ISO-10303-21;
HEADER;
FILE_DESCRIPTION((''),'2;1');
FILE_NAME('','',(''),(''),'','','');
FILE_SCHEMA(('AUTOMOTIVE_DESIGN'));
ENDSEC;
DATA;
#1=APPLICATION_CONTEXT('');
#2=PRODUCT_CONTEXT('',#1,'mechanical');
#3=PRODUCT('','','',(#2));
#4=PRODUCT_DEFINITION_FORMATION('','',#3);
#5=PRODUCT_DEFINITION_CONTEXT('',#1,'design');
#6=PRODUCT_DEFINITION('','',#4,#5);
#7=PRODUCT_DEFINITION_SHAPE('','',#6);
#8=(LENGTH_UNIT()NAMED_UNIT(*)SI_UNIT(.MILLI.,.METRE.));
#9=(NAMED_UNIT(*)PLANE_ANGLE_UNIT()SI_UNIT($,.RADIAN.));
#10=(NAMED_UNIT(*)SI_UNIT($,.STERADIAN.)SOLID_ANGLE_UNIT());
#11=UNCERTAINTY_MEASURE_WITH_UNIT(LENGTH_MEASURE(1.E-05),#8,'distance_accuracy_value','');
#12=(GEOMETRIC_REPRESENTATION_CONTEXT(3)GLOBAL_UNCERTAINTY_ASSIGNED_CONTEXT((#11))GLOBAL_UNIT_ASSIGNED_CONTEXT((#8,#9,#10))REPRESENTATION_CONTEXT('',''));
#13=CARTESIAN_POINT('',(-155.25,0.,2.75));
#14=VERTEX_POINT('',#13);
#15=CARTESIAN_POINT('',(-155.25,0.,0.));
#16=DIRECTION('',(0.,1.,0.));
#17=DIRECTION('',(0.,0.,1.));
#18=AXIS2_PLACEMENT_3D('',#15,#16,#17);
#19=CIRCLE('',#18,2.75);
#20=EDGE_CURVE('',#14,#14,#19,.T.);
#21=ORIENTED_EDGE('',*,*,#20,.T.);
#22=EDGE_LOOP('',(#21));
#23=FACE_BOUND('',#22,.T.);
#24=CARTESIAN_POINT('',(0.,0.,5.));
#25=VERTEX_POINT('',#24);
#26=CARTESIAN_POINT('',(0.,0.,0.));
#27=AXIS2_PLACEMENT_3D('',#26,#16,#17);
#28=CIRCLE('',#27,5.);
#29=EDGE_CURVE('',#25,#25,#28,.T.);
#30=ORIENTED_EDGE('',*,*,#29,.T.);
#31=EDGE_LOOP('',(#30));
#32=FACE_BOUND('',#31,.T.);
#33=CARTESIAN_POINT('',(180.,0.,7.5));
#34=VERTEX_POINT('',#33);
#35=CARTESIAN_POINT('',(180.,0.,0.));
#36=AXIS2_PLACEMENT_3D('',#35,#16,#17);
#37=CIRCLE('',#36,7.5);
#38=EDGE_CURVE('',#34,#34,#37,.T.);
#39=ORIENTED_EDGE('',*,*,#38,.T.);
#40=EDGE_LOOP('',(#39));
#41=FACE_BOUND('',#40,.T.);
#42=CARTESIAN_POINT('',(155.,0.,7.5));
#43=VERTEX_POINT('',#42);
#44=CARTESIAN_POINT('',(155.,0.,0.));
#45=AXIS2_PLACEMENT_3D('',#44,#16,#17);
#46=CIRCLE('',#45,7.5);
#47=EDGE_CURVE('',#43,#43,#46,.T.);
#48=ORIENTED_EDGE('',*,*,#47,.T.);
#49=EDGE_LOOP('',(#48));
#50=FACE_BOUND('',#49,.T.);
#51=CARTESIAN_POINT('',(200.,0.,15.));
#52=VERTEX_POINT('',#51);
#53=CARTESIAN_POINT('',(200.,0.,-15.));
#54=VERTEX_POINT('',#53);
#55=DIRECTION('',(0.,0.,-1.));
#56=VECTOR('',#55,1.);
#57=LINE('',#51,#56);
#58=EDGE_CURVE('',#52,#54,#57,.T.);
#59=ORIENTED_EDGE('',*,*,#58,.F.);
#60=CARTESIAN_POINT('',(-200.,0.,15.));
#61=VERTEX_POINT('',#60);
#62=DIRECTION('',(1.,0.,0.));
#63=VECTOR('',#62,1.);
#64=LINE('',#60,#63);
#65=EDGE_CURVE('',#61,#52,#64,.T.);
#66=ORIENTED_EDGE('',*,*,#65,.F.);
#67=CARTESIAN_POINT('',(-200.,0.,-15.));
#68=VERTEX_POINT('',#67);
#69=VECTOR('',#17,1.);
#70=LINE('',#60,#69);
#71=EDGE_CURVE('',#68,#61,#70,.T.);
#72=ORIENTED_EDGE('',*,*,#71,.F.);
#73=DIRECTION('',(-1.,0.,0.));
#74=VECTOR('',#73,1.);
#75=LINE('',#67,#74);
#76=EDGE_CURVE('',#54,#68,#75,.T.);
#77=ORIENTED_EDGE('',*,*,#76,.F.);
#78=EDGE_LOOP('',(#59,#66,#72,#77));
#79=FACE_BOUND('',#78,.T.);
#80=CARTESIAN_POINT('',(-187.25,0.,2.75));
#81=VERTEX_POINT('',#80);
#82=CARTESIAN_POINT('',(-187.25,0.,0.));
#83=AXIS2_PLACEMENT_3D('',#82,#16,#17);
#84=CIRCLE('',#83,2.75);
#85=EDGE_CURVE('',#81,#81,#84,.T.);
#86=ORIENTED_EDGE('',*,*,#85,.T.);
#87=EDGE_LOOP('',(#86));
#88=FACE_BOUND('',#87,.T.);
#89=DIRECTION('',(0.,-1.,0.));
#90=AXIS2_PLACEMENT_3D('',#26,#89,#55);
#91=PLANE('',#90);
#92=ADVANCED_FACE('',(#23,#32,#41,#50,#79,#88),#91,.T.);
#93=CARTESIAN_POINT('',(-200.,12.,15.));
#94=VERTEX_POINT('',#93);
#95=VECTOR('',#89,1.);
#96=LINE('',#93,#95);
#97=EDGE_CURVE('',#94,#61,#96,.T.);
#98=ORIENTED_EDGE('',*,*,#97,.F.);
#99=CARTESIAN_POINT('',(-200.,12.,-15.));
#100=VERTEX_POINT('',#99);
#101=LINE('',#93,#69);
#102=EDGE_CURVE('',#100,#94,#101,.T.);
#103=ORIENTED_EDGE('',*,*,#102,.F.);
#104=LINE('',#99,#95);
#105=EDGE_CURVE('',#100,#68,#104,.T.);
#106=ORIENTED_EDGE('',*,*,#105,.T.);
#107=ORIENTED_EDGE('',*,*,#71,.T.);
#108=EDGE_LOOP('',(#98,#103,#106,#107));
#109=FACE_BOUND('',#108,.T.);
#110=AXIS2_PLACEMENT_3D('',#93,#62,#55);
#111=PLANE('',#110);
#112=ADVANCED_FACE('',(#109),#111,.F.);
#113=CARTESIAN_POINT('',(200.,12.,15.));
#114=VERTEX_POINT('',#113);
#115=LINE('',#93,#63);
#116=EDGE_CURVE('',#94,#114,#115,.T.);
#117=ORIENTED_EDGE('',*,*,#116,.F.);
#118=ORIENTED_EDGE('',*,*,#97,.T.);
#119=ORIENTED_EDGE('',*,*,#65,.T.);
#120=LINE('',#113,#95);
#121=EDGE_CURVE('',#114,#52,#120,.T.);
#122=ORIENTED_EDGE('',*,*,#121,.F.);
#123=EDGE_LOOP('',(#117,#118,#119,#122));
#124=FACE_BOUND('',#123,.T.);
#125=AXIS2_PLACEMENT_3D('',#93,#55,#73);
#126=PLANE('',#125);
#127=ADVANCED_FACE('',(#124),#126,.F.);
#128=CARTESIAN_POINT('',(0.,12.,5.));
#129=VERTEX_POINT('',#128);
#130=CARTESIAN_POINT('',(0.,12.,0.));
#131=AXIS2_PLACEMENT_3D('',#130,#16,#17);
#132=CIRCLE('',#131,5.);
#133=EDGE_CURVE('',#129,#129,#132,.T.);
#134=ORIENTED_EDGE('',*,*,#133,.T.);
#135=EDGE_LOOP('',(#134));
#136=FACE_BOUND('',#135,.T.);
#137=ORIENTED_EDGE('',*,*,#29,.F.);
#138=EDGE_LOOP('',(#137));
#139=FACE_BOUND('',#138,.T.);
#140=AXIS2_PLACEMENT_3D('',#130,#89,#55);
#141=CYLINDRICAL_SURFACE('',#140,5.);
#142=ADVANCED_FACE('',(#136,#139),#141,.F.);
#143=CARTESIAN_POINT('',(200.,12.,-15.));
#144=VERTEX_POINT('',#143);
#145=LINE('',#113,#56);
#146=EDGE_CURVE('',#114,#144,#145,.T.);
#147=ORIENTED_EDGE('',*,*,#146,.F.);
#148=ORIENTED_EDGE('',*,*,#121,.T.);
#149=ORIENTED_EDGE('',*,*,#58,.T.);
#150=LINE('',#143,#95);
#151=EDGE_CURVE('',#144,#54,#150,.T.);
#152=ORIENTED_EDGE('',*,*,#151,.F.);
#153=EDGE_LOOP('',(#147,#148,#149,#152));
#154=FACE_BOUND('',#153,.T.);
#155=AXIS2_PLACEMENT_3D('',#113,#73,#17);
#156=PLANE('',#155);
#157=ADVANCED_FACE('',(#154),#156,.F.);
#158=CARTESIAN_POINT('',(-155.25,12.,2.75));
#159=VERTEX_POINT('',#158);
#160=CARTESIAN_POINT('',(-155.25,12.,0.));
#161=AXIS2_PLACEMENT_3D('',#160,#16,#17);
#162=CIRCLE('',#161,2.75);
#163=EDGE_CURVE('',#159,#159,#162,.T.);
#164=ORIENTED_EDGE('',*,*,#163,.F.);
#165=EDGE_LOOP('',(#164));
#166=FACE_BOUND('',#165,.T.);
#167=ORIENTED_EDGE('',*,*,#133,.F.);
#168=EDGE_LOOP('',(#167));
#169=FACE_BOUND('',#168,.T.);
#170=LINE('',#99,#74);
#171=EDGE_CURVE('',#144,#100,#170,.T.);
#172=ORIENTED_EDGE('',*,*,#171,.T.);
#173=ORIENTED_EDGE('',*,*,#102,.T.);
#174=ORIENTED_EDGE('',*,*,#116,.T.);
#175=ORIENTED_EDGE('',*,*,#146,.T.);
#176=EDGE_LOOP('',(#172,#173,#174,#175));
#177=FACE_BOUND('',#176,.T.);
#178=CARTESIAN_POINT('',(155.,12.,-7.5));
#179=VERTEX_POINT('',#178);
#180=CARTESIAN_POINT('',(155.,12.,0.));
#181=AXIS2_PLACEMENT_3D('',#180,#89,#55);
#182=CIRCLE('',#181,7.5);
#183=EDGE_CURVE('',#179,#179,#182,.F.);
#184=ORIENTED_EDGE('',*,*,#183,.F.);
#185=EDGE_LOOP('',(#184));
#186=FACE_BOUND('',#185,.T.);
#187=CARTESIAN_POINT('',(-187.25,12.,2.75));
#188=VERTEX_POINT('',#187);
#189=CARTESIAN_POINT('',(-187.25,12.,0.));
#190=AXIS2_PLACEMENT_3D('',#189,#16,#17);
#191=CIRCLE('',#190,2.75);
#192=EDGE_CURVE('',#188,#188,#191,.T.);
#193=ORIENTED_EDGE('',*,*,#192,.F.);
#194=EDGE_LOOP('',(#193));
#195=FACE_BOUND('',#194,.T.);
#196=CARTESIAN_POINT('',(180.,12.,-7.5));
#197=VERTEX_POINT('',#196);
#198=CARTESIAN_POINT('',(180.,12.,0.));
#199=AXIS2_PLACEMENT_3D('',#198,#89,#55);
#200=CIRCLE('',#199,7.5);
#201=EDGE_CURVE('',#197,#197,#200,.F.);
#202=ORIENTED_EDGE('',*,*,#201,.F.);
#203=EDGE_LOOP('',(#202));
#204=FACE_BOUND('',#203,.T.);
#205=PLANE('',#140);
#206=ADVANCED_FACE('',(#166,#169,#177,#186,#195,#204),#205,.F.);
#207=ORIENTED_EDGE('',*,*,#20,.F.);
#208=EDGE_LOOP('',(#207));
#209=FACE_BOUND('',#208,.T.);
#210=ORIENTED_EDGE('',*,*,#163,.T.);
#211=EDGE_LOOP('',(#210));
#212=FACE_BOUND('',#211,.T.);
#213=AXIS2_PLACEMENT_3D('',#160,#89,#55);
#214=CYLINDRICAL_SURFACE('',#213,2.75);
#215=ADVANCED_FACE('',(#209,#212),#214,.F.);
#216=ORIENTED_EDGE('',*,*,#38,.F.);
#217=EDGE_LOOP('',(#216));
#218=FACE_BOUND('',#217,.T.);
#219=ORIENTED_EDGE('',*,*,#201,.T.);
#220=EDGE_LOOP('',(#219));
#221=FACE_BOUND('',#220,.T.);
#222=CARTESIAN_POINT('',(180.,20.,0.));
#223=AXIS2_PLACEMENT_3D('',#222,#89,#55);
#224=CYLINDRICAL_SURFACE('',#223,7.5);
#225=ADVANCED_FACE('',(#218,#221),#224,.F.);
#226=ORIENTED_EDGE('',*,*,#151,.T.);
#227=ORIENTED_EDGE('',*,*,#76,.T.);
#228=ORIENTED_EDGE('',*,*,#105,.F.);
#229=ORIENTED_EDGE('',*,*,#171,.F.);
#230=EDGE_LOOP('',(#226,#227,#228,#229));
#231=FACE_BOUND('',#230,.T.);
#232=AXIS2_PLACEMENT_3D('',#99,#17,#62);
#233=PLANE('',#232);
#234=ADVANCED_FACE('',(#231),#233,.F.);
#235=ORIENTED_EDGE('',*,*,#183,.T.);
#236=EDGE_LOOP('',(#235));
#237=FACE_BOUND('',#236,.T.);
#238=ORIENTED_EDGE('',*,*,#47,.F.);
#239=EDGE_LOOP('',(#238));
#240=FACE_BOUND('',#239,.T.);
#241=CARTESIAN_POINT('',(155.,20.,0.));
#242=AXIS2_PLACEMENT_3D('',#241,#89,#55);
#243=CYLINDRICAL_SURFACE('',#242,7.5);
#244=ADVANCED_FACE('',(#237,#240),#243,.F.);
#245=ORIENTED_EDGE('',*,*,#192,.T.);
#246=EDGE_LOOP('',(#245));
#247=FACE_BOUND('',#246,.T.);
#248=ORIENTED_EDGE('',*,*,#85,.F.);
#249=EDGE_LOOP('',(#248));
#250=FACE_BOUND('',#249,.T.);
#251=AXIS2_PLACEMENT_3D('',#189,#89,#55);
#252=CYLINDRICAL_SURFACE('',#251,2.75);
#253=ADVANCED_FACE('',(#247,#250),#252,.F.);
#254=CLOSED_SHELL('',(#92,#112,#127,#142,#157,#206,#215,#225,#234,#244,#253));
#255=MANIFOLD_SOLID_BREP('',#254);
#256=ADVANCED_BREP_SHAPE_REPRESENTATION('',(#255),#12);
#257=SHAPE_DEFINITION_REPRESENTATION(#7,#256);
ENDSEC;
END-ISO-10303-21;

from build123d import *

# Parameters (mm, degrees)
SKETCH1_W           = 400
SKETCH1_H           = 30
SKETCH1_R           = 5
SKETCH1_R_2         = 2.75
BOSS_EXTRUDE1_DEPTH = 12
SKETCH2_R           = 7.5
CUT_EXTRUDE1_DEPTH  = 20


with BuildPart() as part:
    # Sketch1 → Boss-Extrude1 (new body)
    with BuildSketch(Plane(origin=(0, 0, 0), x_dir=(1, 0, 0), z_dir=(0, 1, 0))):
        Rectangle(SKETCH1_W, SKETCH1_H)
        with Locations(Location((0, 0, 0), (0, 0, 270))):
            Circle(SKETCH1_R, mode=Mode.SUBTRACT)
        with Locations(Location((-187.25, 0, 0), (0, 0, 270))):
            Circle(SKETCH1_R_2, mode=Mode.SUBTRACT)
        with Locations(Location((-155.25, 0, 0), (0, 0, 270))):
            Circle(SKETCH1_R_2, mode=Mode.SUBTRACT)
    extrude(amount=BOSS_EXTRUDE1_DEPTH)

    # Sketch2 → Cut-Extrude1 (cut)
    with BuildSketch(Plane(origin=(0, 0, 0), x_dir=(1, 0, 0), z_dir=(0, 1, 0))):
        with Locations(Location((155, 0, 0), (0, 0, 90))):
            Circle(SKETCH2_R)
        with Locations(Location((180, 0, 0), (0, 0, 90))):
            Circle(SKETCH2_R)
    extrude(amount=CUT_EXTRUDE1_DEPTH, mode=Mode.SUBTRACT)


solid = part.part
